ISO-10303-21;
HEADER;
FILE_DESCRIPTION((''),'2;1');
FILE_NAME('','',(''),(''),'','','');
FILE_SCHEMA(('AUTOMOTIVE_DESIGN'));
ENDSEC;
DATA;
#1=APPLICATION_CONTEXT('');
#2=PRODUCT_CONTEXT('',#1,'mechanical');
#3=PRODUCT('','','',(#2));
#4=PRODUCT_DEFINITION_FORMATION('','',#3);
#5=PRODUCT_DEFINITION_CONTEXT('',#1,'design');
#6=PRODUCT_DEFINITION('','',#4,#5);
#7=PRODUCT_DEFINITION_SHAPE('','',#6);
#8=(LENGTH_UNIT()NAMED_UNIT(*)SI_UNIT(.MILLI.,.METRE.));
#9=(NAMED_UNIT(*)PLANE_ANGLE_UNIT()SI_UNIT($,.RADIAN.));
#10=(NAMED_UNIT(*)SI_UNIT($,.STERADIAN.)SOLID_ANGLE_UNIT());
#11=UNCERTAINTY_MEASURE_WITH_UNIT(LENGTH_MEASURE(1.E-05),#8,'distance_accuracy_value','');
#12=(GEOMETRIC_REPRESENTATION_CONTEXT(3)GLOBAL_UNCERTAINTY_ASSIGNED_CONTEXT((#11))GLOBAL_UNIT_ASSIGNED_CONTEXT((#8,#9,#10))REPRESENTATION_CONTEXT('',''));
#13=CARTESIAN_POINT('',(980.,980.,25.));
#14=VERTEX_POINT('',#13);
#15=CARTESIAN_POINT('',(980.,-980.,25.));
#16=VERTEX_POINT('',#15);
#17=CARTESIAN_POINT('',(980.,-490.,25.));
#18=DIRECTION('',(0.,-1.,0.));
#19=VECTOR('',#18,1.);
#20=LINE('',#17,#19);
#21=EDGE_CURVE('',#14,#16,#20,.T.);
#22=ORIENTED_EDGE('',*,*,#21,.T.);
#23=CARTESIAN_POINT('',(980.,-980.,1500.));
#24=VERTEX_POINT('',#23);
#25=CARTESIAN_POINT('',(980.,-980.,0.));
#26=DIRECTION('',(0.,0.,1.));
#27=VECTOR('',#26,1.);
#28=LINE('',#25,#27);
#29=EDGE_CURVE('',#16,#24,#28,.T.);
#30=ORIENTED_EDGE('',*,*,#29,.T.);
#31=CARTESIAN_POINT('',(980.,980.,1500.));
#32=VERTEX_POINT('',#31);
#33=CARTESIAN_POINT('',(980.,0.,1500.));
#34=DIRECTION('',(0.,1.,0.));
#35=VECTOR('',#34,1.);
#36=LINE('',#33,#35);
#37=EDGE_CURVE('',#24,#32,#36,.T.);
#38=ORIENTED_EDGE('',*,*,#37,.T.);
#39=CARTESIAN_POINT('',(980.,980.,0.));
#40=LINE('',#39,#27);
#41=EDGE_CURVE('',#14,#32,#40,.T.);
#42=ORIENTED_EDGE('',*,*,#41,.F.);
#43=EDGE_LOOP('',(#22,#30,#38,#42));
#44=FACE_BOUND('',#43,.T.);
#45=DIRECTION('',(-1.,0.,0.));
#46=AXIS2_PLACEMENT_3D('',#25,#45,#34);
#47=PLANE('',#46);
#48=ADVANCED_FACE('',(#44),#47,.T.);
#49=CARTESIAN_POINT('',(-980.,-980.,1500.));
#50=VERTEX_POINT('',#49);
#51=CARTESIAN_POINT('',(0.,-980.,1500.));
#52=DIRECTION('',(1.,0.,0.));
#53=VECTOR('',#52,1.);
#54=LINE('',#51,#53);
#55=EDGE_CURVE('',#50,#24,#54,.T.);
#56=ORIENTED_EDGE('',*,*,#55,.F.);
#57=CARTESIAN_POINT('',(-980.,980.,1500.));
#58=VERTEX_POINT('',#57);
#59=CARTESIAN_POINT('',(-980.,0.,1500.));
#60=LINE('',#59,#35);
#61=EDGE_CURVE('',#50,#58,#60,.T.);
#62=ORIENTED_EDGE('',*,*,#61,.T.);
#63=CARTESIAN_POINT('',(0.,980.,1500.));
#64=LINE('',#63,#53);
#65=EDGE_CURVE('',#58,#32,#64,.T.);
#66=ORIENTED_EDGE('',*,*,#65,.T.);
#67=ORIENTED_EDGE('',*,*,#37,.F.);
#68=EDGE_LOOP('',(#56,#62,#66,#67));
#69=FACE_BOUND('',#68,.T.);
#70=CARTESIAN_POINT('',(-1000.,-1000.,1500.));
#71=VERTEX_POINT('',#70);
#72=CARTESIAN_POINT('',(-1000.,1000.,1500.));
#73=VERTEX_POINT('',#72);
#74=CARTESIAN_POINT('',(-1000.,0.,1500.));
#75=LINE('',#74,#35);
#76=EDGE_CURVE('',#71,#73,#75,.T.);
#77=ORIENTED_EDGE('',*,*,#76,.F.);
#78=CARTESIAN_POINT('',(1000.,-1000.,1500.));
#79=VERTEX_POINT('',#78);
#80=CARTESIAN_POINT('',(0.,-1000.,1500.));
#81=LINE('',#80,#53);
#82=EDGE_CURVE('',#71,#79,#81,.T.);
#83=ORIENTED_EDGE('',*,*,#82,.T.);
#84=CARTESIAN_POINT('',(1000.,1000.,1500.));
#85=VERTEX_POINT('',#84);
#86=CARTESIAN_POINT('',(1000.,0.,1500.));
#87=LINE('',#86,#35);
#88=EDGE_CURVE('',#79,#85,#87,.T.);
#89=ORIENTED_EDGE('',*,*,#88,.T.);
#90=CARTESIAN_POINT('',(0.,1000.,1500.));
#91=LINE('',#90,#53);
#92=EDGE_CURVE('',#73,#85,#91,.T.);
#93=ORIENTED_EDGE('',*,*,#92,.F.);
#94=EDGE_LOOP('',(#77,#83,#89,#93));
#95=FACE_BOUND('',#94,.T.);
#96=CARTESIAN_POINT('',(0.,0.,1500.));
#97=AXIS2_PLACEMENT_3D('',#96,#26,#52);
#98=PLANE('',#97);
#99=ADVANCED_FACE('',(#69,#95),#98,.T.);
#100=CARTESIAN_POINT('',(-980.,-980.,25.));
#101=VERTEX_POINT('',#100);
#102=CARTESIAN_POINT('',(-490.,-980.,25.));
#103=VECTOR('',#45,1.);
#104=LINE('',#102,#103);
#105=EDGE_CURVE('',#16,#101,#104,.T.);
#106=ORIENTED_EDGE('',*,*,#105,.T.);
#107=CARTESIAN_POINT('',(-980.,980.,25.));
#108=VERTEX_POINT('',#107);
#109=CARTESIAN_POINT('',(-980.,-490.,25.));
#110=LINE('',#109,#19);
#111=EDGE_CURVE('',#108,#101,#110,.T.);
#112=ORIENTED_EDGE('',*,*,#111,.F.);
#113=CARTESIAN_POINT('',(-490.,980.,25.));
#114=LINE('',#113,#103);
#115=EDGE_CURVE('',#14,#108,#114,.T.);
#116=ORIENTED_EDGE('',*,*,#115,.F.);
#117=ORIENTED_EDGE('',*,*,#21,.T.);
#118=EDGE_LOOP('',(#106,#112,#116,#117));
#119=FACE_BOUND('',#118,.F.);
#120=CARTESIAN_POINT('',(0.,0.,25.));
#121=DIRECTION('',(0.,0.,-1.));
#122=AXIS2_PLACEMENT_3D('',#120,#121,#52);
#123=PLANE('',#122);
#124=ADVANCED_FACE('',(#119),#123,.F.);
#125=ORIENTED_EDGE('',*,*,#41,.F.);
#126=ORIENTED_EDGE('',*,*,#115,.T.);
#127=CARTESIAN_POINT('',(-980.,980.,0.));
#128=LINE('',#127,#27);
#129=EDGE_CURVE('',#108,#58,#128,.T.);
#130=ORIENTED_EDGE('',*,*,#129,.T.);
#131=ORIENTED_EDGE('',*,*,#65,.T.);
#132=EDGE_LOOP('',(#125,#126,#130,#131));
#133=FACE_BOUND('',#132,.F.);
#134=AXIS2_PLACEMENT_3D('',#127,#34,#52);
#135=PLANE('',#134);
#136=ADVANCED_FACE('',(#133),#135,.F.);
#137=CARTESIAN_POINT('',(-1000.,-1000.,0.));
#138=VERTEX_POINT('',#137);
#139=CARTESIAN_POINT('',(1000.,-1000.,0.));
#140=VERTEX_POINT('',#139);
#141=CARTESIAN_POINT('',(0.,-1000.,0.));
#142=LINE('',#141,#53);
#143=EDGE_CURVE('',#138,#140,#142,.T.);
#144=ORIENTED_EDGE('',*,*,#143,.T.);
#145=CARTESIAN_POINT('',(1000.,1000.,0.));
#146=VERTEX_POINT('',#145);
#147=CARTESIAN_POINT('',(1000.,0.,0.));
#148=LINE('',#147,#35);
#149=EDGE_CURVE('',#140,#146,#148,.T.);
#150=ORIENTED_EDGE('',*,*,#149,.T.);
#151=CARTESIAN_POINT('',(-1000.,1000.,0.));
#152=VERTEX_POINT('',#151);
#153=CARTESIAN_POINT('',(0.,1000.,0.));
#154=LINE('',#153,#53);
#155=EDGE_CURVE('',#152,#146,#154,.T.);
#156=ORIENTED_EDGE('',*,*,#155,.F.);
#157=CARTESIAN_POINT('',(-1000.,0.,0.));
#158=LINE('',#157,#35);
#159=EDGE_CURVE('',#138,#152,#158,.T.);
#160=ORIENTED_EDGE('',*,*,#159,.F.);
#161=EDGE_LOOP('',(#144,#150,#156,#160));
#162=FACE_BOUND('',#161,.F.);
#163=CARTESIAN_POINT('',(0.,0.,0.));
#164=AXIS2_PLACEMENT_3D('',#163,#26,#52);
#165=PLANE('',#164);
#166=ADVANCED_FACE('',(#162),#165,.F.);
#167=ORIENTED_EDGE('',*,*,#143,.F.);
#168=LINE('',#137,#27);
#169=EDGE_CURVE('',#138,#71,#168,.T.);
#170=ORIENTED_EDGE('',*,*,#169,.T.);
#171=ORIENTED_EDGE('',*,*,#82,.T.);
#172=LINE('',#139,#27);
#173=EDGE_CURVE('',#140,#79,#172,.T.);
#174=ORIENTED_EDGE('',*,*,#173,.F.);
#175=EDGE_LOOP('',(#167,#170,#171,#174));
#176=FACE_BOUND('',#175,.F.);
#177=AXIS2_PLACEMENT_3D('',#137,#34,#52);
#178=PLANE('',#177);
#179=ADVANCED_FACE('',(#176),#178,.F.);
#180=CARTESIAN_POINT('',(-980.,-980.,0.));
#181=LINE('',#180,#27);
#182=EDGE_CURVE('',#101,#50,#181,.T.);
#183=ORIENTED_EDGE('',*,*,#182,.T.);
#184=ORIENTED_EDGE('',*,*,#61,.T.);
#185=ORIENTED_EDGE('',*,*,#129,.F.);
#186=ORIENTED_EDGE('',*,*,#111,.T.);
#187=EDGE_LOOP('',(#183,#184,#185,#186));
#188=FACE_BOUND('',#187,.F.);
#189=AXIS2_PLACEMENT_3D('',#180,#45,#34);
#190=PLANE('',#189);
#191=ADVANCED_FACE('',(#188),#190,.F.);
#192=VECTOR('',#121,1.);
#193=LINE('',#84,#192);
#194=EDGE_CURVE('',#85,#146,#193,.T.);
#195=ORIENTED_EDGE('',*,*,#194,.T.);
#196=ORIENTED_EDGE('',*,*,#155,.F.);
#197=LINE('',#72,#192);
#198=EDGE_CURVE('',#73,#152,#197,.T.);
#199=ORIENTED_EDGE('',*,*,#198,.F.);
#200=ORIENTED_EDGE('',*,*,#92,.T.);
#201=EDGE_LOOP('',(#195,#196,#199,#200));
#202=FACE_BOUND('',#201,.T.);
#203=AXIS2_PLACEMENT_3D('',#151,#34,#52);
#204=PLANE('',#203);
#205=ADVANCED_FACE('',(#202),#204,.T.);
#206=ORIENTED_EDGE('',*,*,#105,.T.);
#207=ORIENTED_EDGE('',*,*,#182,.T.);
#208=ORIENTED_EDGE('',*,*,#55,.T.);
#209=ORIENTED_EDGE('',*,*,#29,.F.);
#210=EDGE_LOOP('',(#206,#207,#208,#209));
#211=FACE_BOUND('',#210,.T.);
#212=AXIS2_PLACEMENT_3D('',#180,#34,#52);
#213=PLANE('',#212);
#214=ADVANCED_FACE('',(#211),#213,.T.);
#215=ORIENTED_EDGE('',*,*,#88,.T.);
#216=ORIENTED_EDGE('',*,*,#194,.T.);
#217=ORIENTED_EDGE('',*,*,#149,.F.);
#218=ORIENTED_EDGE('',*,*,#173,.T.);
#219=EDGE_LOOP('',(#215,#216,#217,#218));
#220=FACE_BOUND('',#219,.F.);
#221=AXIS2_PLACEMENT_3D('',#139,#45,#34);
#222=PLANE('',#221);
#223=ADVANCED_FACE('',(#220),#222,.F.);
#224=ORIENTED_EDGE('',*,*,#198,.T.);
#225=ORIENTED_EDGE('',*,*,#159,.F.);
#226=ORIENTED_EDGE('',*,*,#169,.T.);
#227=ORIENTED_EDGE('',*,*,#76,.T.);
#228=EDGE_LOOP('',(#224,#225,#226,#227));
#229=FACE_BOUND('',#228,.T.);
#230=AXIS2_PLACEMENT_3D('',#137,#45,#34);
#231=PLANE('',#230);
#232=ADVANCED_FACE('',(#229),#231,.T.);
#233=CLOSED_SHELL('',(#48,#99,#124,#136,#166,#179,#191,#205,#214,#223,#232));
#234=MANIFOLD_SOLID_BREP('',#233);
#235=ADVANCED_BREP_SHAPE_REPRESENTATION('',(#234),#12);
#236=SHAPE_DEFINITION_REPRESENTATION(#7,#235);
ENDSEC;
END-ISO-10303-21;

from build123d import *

# Parameters (mm, degrees)
F0_W     = 2000
F0_H     = 2000
F0_W_2   = 1960
F0_H_2   = 1960
F1_DEPTH = 1500
F2_W     = 2000
F2_H     = 2000
F3_DEPTH = 25


with BuildPart() as f1:
    # F0 (on Top) → F1 (new body)
    with BuildSketch(Plane.XY):
        Rectangle(F0_W, F0_H)
        Rectangle(F0_W_2, F0_H_2, mode=Mode.SUBTRACT)
    extrude(amount=F1_DEPTH)

    # F2 (on face) → F3 (join)
    with BuildSketch(Plane(origin=(0, 0, 0), x_dir=(1, 0, 0), z_dir=(0, 0, -1))):
        Rectangle(F2_W, F2_H)
    extrude(amount=-F3_DEPTH)


solid = f1.part
